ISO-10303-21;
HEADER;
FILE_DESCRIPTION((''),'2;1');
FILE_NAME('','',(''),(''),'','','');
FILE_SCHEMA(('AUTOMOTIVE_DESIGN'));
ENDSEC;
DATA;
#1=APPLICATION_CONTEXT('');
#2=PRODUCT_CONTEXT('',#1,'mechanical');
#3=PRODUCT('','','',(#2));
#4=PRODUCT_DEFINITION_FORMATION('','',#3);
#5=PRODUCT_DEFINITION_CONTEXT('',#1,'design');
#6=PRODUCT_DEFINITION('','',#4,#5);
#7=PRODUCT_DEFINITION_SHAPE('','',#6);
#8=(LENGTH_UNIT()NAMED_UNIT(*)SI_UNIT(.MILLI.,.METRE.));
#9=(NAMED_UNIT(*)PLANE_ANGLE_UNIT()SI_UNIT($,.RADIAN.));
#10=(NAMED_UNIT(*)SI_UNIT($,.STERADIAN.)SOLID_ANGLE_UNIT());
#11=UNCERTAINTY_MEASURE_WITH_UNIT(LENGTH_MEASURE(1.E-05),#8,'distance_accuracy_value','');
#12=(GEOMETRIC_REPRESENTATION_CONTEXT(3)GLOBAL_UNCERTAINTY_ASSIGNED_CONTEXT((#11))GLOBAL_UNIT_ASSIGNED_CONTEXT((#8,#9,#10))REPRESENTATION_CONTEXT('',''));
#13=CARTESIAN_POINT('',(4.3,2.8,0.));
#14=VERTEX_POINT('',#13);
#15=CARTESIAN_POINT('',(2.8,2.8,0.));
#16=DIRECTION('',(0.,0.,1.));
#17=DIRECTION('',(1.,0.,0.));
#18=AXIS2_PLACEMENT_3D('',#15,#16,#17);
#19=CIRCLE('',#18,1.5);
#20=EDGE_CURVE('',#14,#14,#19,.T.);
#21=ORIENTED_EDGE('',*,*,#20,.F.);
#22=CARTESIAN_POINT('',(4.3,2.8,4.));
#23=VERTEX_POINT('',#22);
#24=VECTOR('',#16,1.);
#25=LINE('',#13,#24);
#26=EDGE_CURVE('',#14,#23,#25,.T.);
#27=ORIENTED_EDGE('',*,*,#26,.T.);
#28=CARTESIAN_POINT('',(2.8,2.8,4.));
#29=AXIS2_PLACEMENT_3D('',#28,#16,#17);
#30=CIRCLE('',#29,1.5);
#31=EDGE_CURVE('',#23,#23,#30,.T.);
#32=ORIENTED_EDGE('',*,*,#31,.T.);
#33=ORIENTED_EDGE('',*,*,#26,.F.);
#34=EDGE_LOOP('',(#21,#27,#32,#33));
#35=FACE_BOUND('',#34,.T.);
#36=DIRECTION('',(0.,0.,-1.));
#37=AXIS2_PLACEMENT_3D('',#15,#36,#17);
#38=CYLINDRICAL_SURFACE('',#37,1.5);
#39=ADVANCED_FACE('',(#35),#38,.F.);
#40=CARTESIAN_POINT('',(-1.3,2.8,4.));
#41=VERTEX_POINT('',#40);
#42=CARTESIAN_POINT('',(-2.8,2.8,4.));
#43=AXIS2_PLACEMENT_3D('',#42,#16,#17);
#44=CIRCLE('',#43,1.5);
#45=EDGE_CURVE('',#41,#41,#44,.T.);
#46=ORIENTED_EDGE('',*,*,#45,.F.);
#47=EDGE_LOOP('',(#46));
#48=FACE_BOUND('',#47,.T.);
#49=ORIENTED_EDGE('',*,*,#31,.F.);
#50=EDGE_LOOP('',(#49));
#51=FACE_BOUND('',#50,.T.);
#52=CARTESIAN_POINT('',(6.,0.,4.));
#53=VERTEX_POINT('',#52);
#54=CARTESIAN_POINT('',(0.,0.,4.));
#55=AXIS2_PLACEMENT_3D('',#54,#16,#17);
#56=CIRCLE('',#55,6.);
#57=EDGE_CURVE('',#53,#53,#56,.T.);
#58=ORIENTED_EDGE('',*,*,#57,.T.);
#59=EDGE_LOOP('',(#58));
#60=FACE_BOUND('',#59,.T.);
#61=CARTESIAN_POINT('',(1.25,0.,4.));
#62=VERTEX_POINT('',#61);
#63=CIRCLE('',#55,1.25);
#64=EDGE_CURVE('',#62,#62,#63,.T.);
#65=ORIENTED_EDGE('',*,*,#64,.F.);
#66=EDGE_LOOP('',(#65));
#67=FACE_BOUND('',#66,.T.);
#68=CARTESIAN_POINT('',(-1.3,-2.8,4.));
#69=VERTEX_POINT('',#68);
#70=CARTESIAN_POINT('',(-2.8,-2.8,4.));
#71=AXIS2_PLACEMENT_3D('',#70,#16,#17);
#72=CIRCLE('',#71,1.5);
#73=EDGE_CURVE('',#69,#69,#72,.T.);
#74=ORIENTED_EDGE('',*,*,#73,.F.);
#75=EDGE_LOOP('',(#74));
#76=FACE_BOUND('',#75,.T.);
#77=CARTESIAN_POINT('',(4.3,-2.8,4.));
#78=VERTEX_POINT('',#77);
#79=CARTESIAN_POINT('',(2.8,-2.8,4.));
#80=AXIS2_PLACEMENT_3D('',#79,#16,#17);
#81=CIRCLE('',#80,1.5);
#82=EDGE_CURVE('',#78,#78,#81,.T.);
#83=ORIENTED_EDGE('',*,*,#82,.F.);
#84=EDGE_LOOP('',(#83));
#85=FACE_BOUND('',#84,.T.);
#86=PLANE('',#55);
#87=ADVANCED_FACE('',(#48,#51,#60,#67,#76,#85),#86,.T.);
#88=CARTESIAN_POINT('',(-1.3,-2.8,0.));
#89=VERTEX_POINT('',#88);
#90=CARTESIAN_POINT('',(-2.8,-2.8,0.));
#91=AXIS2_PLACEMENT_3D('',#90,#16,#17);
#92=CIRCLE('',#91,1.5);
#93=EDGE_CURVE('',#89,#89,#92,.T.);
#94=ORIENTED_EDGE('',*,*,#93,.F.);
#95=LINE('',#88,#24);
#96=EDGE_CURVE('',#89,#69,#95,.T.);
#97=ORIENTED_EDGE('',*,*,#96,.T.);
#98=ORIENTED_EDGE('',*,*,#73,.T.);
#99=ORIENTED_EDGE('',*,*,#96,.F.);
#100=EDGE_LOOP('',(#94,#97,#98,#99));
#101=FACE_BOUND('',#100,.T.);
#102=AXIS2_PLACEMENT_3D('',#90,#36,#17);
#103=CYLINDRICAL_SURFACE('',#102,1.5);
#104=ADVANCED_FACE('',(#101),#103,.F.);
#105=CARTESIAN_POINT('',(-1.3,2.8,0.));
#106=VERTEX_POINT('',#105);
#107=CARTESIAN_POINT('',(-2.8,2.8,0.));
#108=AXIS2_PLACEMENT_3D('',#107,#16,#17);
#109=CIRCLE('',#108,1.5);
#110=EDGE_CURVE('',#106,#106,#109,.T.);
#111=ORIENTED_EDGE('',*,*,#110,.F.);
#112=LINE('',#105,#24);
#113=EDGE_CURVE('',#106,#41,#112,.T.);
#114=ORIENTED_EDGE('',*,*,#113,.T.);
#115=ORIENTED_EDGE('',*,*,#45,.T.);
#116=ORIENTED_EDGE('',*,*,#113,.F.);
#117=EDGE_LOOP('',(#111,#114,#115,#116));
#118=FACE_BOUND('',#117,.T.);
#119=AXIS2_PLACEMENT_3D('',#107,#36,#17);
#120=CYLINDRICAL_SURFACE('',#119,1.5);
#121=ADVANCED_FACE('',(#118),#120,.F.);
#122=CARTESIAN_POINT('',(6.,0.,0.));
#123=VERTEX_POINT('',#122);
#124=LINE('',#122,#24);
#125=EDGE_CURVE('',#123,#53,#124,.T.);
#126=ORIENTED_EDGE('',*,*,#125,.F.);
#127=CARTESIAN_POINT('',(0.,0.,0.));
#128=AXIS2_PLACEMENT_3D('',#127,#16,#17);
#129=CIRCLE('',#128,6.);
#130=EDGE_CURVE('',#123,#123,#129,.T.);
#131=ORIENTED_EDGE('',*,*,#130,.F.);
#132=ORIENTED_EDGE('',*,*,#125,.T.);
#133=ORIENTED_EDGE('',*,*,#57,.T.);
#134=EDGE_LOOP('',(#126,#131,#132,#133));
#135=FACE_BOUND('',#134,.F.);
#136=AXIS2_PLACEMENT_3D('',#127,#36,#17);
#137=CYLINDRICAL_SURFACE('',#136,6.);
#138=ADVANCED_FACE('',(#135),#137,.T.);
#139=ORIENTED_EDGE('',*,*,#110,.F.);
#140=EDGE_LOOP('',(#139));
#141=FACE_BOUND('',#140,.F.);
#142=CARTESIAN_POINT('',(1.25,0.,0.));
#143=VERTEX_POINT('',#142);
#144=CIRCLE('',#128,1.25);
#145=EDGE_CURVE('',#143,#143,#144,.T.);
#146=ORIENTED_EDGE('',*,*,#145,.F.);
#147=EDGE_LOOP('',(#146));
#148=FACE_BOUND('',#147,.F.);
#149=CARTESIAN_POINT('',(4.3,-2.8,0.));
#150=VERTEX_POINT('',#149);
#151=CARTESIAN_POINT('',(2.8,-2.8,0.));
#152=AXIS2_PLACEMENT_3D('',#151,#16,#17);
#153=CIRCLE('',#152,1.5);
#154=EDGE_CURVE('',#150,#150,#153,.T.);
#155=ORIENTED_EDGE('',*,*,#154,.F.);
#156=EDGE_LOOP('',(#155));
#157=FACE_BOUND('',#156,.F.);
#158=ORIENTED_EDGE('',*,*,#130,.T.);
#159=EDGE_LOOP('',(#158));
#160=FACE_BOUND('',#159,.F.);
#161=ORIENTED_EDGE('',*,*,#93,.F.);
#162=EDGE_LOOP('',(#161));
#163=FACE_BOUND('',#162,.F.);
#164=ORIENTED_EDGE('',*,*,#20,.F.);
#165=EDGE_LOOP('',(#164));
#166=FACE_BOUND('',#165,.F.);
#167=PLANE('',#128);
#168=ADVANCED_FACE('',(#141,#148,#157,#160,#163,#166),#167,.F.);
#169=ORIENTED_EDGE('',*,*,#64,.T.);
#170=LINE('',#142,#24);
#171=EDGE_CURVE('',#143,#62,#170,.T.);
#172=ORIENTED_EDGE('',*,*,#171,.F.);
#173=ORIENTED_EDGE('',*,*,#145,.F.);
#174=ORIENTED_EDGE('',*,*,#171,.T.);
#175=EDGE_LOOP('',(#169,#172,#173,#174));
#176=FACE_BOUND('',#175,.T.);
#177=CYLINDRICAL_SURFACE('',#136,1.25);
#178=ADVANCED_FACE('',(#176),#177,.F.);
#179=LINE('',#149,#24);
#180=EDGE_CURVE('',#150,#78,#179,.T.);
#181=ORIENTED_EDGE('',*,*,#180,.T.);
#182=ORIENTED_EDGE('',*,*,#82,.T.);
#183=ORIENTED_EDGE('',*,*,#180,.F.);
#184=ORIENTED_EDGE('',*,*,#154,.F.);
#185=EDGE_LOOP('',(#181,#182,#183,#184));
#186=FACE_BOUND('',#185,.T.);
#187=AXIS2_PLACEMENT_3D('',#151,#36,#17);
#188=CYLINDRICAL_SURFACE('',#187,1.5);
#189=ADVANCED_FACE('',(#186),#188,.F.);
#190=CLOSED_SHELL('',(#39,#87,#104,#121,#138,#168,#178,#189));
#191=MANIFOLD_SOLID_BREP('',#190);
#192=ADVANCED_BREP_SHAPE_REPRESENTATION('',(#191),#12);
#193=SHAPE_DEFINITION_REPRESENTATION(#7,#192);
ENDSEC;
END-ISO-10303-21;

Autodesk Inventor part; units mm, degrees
ref_plane "YZ Plane" through (0, 0, 0) normal (1, 0, 0) x (0, 1, 0)
ref_plane "XZ Plane" through (0, 0, 0) normal (0, 1, 0) x (-1, 0, 0)
ref_plane "XY Plane" through (0, 0, 0) normal (0, 0, 1) x (1, 0, 0)
sketch "スケッチ1" plane through (0, 0, 0) normal (0, 0, 1) x (1, 0, 0)
  line L0 (-2.8, 2.8) -> (2.8, 2.8) construction
  line L1 (2.8, 2.8) -> (2.8, -2.8) construction
  line L2 (2.8, -2.8) -> (-2.8, -2.8) construction
  line L3 (-2.8, -2.8) -> (-2.8, 2.8) construction
  circle A0 centre (-2.8, 2.8) radius 1.5
  circle A1 centre (2.8, 2.8) radius 1.5
  circle A2 centre (2.8, -2.8) radius 1.5
  circle A3 centre (-2.8, -2.8) radius 1.5
  circle A4 centre (0, 0) radius 1.25
  circle A5 centre (0, 0) radius 6
  dimension "d0" = 3
  dimension "d1" = 3
  dimension "d2" = 3
  dimension "d3" = 3
  dimension "d4" = 5.6
  dimension "d5" = 2.5
  dimension "d6" = 12
extrude "押し出し1" add sketch "スケッチ1" along normal blind 4
properties part number "脚最終段カム4" material "アルミニウム 2014-T4"
